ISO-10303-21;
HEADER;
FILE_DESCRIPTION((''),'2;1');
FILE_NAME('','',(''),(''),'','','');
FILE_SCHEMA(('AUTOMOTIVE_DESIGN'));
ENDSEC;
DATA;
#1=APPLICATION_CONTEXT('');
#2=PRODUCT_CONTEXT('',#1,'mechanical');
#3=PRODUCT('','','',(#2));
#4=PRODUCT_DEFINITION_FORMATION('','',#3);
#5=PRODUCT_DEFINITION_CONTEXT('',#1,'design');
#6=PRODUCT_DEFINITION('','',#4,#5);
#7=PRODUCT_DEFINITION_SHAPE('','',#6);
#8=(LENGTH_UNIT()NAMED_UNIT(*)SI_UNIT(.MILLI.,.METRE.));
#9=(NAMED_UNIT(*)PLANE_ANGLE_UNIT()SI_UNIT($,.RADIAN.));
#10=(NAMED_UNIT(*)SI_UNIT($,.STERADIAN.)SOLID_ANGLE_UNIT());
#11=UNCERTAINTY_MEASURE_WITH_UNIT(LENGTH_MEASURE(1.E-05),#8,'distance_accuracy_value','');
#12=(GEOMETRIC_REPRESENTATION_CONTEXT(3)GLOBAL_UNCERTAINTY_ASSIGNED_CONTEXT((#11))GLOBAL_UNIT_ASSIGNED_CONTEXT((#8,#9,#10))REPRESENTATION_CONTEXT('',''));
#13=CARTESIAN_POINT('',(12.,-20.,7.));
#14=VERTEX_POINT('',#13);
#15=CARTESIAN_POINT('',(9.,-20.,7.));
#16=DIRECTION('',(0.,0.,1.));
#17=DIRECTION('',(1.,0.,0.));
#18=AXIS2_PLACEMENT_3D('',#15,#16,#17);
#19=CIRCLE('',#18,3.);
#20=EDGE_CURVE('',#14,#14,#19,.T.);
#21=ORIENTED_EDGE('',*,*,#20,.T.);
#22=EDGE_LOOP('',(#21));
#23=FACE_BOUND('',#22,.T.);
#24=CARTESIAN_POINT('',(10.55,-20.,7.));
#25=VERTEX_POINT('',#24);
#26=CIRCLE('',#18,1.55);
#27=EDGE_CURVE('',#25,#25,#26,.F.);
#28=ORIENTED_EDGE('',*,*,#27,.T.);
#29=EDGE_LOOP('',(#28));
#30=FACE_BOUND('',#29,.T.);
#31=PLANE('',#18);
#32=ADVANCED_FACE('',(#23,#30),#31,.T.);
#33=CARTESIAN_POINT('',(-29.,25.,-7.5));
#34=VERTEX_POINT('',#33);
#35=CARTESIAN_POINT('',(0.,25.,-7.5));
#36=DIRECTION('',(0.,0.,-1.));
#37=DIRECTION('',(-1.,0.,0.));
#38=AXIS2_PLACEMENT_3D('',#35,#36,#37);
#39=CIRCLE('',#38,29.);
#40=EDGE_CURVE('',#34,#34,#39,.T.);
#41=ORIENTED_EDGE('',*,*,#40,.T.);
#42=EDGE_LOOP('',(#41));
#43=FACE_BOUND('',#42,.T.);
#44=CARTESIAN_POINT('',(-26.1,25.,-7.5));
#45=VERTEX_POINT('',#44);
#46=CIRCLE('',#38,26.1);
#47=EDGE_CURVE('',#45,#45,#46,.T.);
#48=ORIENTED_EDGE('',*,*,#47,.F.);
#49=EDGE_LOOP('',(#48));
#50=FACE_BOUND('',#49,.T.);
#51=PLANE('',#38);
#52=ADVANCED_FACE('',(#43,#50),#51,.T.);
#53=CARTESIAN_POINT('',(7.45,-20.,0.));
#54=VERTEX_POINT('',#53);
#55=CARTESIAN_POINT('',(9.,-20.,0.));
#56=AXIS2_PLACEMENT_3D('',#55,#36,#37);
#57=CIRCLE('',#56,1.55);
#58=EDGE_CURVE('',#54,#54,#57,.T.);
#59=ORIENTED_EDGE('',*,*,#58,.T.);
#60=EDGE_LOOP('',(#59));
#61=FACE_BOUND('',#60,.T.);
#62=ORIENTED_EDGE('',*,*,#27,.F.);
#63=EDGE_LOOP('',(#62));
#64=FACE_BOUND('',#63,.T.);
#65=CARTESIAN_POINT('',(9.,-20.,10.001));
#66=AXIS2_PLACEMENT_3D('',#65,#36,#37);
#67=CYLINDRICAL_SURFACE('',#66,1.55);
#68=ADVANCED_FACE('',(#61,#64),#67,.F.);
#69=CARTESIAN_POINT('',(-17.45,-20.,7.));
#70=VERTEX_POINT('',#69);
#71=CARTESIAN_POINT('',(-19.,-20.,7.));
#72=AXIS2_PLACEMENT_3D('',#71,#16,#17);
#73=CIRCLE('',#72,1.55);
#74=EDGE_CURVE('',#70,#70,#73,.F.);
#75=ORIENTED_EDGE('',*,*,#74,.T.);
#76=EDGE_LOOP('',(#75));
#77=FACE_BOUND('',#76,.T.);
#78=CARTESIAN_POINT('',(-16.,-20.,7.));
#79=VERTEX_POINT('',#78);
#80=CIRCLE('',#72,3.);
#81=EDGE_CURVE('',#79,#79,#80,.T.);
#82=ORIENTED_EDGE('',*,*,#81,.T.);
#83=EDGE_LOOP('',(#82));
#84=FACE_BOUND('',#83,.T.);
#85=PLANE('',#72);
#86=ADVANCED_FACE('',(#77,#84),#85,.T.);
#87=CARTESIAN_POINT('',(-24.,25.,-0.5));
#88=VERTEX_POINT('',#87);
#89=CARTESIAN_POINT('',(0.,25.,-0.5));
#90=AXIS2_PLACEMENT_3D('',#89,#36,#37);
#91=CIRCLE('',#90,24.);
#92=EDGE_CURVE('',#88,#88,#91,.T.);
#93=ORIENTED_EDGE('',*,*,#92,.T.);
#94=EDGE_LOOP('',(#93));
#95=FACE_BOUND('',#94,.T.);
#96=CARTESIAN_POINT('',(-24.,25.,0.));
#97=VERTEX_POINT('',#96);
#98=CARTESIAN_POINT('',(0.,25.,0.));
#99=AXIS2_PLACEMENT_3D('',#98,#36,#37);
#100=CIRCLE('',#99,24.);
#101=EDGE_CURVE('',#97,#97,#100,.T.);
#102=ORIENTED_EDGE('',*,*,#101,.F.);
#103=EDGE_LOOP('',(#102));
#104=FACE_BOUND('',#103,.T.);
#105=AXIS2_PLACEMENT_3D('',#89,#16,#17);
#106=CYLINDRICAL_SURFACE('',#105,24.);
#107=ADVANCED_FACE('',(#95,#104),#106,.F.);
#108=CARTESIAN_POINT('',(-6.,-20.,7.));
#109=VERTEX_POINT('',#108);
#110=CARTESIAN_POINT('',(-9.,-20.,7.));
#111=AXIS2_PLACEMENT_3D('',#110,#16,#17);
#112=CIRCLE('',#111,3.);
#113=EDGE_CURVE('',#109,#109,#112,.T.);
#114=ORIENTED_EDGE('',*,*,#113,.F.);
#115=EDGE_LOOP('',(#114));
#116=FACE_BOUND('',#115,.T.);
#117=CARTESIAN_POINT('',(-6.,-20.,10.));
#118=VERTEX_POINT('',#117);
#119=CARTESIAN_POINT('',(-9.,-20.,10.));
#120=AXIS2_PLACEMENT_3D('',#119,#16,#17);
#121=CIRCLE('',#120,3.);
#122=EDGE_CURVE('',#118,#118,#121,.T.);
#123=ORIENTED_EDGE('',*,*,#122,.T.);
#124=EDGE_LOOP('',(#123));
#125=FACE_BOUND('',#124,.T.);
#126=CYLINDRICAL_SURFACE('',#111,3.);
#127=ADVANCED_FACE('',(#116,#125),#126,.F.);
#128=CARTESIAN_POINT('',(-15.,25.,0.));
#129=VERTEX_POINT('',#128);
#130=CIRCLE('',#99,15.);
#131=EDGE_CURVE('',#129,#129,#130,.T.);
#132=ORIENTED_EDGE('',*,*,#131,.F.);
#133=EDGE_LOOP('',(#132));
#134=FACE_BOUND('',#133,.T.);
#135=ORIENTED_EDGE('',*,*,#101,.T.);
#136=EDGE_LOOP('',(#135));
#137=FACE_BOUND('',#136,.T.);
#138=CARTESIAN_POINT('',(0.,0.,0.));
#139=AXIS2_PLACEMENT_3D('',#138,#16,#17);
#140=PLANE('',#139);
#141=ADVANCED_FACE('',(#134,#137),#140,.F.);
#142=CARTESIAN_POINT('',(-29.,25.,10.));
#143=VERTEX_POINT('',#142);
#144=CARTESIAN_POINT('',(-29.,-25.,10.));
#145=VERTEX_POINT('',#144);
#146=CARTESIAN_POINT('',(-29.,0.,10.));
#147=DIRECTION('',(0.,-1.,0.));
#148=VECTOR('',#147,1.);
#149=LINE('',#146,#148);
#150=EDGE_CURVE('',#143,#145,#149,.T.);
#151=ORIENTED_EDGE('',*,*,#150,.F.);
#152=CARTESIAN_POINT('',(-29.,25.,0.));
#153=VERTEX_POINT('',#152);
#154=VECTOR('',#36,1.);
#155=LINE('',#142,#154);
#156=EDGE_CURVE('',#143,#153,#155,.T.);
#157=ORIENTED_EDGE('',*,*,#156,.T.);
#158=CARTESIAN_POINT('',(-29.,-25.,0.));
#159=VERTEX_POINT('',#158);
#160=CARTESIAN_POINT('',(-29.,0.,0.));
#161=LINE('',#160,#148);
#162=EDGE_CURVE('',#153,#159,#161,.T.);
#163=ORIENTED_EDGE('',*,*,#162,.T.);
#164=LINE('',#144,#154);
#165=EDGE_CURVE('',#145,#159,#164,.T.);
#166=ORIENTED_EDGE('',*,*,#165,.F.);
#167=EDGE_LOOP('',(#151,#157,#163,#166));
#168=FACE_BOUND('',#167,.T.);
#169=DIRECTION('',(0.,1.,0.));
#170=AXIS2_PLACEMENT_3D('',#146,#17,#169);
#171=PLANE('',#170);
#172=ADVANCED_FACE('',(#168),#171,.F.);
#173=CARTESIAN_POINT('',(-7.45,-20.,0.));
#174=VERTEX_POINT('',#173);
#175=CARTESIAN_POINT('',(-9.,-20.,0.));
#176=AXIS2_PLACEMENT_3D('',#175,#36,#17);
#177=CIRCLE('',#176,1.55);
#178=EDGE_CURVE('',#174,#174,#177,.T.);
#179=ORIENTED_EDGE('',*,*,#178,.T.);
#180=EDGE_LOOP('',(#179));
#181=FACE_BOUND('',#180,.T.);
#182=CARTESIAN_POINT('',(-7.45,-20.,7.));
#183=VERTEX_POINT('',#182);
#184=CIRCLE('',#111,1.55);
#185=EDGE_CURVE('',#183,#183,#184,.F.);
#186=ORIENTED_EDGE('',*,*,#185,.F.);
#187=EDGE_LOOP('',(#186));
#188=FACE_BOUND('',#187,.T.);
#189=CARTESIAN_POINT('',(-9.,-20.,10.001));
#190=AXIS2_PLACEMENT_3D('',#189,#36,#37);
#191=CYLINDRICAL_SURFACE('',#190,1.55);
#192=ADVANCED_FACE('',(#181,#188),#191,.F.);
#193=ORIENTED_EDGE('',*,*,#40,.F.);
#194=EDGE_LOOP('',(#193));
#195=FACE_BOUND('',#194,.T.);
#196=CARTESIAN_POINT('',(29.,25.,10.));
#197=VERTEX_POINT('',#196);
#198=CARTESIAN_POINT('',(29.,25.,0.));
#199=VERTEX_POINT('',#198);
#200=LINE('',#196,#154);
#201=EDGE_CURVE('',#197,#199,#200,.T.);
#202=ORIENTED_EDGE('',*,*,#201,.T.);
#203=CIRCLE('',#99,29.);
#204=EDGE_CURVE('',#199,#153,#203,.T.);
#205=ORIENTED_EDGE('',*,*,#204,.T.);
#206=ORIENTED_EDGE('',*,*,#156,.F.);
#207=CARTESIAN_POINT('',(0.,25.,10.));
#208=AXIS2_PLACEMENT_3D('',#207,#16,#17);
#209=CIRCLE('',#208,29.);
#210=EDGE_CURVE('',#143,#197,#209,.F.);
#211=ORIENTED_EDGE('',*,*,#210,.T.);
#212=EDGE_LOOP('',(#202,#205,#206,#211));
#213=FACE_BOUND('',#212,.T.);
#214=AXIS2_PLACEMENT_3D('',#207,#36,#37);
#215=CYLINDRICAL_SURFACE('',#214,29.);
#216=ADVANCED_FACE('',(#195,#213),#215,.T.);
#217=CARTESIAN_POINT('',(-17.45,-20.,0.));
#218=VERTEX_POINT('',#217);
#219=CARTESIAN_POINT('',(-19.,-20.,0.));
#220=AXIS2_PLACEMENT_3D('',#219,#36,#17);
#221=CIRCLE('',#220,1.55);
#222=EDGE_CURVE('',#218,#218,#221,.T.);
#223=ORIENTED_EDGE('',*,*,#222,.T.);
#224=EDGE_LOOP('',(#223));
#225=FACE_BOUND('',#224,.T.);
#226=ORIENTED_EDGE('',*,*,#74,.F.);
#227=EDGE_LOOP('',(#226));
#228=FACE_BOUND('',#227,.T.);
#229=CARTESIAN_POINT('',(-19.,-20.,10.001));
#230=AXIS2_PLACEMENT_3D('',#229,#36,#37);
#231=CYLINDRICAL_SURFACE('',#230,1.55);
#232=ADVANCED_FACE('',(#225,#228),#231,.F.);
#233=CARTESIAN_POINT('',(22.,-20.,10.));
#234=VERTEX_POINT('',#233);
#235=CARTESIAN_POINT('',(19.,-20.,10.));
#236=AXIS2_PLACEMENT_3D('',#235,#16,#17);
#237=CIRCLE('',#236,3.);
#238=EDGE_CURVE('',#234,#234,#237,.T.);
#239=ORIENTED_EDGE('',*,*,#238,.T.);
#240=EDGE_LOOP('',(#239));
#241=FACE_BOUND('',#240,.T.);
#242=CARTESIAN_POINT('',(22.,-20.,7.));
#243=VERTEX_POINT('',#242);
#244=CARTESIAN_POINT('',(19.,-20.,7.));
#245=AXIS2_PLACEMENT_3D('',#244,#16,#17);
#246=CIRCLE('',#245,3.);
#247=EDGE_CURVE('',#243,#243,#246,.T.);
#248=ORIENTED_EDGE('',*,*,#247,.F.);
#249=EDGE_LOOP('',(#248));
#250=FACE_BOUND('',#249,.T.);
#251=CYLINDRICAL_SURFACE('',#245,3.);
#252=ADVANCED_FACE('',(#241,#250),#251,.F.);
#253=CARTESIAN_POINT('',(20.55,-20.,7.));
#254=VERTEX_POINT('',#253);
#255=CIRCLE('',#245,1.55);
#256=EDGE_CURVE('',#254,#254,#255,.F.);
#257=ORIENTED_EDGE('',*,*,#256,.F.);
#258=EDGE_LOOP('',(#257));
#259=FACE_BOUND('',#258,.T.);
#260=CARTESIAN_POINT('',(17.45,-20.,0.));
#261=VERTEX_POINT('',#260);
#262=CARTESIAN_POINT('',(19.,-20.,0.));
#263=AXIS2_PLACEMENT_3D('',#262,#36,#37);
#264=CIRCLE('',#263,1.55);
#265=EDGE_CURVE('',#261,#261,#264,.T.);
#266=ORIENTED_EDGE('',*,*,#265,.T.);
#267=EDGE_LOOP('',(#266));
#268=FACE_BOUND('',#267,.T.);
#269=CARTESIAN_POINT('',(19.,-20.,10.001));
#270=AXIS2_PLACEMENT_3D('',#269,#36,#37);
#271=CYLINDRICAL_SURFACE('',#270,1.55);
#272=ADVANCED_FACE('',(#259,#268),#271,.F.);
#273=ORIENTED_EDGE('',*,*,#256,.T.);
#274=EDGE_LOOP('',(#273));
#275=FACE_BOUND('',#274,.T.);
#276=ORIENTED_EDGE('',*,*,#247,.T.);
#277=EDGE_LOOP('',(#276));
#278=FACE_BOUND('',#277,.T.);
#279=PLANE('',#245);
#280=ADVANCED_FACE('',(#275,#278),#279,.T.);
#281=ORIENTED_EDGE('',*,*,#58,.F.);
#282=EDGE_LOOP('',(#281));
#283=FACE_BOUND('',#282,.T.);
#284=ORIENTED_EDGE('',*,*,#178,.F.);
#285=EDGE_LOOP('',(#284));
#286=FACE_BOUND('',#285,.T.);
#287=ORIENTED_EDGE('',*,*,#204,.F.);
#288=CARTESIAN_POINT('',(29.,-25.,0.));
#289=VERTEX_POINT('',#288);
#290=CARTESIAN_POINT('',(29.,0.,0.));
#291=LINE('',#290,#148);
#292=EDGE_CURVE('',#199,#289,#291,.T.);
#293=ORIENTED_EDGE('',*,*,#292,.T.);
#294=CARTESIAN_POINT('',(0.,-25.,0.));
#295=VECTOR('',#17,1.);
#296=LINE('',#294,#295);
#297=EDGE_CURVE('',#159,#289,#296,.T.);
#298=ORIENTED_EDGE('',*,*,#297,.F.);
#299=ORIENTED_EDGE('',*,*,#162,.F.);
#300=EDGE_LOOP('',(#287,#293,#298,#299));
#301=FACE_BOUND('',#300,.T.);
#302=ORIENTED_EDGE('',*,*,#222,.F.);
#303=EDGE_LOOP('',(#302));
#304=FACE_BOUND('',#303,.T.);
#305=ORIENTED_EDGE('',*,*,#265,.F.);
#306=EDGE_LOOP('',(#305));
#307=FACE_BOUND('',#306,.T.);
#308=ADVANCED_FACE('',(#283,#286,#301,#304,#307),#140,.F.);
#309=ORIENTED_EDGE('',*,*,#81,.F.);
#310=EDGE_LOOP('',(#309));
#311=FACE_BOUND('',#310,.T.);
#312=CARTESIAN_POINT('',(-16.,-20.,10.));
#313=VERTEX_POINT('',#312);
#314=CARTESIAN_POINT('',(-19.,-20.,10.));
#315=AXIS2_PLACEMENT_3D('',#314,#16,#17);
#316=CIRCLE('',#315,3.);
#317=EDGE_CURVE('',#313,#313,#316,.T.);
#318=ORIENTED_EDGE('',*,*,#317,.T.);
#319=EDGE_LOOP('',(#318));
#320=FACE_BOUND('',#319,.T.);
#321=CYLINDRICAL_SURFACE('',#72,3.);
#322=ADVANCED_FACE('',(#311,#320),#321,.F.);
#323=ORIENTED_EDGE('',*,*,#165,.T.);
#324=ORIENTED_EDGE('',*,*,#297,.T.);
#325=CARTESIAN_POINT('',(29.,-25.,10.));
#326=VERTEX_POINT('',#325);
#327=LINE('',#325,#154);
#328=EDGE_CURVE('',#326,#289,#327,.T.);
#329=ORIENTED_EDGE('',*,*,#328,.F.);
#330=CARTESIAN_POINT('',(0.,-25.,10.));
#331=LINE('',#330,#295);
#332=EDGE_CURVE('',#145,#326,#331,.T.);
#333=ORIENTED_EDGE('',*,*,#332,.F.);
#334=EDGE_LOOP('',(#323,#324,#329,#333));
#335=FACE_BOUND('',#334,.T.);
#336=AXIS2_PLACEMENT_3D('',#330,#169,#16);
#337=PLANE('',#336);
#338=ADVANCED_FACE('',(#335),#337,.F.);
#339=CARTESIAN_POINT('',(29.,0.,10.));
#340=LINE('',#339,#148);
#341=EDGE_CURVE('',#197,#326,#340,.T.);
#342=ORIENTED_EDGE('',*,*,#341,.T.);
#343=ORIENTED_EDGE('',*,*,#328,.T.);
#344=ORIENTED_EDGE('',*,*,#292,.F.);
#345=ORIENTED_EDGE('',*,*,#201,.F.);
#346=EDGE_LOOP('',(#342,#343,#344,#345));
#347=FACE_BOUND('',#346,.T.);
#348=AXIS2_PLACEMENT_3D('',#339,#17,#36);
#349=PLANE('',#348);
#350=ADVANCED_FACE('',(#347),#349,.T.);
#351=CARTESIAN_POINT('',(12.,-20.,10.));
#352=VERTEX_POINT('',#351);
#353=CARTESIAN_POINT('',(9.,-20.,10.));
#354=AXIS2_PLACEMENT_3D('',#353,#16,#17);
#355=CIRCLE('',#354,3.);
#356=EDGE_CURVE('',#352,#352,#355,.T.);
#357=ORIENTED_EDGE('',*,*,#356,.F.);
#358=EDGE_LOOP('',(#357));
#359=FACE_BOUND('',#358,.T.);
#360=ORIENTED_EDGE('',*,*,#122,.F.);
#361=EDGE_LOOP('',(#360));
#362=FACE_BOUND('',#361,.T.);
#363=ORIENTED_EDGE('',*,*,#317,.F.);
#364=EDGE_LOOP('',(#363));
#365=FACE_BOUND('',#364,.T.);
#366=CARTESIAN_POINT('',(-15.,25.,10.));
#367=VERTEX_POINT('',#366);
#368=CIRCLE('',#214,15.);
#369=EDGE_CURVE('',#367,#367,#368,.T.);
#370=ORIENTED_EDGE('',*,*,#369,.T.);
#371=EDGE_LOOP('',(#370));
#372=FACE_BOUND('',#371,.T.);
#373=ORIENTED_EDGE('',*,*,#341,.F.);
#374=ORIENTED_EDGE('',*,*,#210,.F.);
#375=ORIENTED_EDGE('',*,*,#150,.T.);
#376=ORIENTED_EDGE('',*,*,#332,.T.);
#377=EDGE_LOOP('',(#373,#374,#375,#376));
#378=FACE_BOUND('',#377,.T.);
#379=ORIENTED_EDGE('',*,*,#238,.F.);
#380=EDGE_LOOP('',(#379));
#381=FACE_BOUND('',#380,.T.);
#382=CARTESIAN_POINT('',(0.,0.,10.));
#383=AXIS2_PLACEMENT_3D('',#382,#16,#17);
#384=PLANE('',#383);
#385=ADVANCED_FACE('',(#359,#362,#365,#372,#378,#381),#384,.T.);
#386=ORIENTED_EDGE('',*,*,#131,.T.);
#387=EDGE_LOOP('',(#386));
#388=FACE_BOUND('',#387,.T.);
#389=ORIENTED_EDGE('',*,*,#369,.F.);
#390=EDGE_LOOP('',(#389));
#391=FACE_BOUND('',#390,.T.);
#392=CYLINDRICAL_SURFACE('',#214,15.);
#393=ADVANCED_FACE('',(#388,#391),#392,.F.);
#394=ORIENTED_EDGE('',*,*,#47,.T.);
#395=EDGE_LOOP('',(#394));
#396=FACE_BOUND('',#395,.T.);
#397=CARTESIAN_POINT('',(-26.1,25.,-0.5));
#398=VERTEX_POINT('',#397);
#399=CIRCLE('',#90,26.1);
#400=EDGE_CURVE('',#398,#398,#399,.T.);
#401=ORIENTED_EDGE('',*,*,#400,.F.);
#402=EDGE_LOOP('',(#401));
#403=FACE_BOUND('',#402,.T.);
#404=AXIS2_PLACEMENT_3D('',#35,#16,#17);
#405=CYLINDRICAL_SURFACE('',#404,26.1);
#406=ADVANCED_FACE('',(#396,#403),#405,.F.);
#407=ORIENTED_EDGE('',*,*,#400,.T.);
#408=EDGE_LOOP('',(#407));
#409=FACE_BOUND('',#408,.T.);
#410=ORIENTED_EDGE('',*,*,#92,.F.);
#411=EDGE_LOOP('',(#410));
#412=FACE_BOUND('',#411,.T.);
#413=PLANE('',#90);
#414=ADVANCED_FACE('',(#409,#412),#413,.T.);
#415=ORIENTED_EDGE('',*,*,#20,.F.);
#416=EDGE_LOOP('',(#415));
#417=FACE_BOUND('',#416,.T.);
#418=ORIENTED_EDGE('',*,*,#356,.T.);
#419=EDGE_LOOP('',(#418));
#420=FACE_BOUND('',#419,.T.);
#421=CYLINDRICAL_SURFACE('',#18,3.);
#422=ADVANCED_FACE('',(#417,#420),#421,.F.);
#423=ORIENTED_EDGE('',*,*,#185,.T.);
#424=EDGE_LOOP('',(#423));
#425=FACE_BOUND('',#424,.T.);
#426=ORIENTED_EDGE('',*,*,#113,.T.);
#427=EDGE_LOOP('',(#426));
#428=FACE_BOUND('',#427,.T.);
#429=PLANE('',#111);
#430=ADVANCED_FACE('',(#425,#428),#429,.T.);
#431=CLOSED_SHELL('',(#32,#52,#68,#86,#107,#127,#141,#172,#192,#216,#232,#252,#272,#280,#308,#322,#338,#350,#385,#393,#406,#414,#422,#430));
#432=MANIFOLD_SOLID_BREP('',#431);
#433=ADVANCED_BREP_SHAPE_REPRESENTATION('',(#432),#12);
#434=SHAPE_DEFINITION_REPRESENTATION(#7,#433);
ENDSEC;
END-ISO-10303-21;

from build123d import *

# Parameters (mm, degrees)
SKETCH_1_W          = 58
SKETCH_1_H          = 50
EXTRUDE_1_DEPTH     = 10
SKETCH_2_R          = 29
SKETCH_2_R_2        = 26.1
EXTRUDE_2_DEPTH     = 7.5
SKETCH_3_R          = 26.1
SKETCH_3_R_2        = 24
EXTRUDE_3_DEPTH     = 0.5
CUT_EXTRUDE_1_REACH = 12
SKETCH_5_R          = 1.55
SKETCH_6_R          = 3
CUT_EXTRUDE_2_DEPTH = 3
SKETCH_7_R          = 15
CUT_EXTRUDE_3_DEPTH = 11


with BuildPart() as part:
    # 草图1 → 凸台-拉伸1 (new body)
    with BuildSketch(Plane.XY):
        with BuildLine():
            ThreePointArc((-29, 25), (0, 54), (29, 25))
            Line((29, 25), (-29, 25))
        make_face()
        Rectangle(SKETCH_1_W, SKETCH_1_H)
    extrude(amount=EXTRUDE_1_DEPTH)

    # 草图2 → 凸台-拉伸2 (add)
    with BuildSketch(Plane(origin=(0, 0, 0), x_dir=(-1, 0, 0), z_dir=(0, 0, -1))):
        with Locations((0, 25)):
            Circle(SKETCH_2_R)
        with Locations((0, 25)):
            Circle(SKETCH_2_R_2, mode=Mode.SUBTRACT)
    extrude(amount=EXTRUDE_2_DEPTH)

    # 草图3 → 凸台-拉伸3 (add)
    with BuildSketch(Plane(origin=(0, 0, 0), x_dir=(-1, 0, 0), z_dir=(0, 0, -1))):
        with Locations((0, 25)):
            Circle(SKETCH_3_R)
        with Locations((0, 25)):
            Circle(SKETCH_3_R_2, mode=Mode.SUBTRACT)
    extrude(amount=EXTRUDE_3_DEPTH)

    # 草图5 → 切除-拉伸1 (cut, up to next)
    with BuildSketch(Plane(origin=(0, 0, 0), x_dir=(-1, 0, 0), z_dir=(0, 0, -1)), mode=Mode.PRIVATE) as cut_extrude_1_sk1:
        with Locations((-19, -20)):
            Circle(SKETCH_5_R)
    cut_extrude_1_tool1 = extrude(cut_extrude_1_sk1.sketch, amount=-CUT_EXTRUDE_1_REACH, mode=Mode.PRIVATE) & part.part
    add(cut_extrude_1_tool1.solids().sort_by_distance((19, -20, 0))[0], mode=Mode.SUBTRACT)
    # 草图5 → 切除-拉伸1 (cut, up to next)
    with BuildSketch(Plane(origin=(0, 0, 0), x_dir=(-1, 0, 0), z_dir=(0, 0, -1)), mode=Mode.PRIVATE) as cut_extrude_1_sk2:
        with Locations((-9, -20)):
            Circle(SKETCH_5_R)
    cut_extrude_1_tool2 = extrude(cut_extrude_1_sk2.sketch, amount=-CUT_EXTRUDE_1_REACH, mode=Mode.PRIVATE) & part.part
    add(cut_extrude_1_tool2.solids().sort_by_distance((9, -20, 0))[0], mode=Mode.SUBTRACT)
    # 草图5 → 切除-拉伸1 (cut, up to next)
    with BuildSketch(Plane(origin=(0, 0, 0), x_dir=(-1, 0, 0), z_dir=(0, 0, -1)), mode=Mode.PRIVATE) as cut_extrude_1_sk3:
        with Locations((9, -20)):
            Circle(SKETCH_5_R)
    cut_extrude_1_tool3 = extrude(cut_extrude_1_sk3.sketch, amount=-CUT_EXTRUDE_1_REACH, mode=Mode.PRIVATE) & part.part
    add(cut_extrude_1_tool3.solids().sort_by_distance((-9, -20, 0))[0], mode=Mode.SUBTRACT)
    # 草图5 → 切除-拉伸1 (cut, up to next)
    with BuildSketch(Plane(origin=(0, 0, 0), x_dir=(-1, 0, 0), z_dir=(0, 0, -1)), mode=Mode.PRIVATE) as cut_extrude_1_sk4:
        with Locations((19, -20)):
            Circle(SKETCH_5_R)
    cut_extrude_1_tool4 = extrude(cut_extrude_1_sk4.sketch, amount=-CUT_EXTRUDE_1_REACH, mode=Mode.PRIVATE) & part.part
    add(cut_extrude_1_tool4.solids().sort_by_distance((-19, -20, 0))[0], mode=Mode.SUBTRACT)

    # 草图6 → 切除-拉伸2 (cut)
    with BuildSketch(Plane.XY.offset(10)):
        with Locations((19, -20)):
            Circle(SKETCH_6_R)
        with Locations((9, -20)):
            Circle(SKETCH_6_R)
        with Locations((-9, -20)):
            Circle(SKETCH_6_R)
        with Locations((-19, -20)):
            Circle(SKETCH_6_R)
    extrude(amount=-CUT_EXTRUDE_2_DEPTH, mode=Mode.SUBTRACT)

    # 草图7 → 切除-拉伸3 (cut, through all)
    with BuildSketch(Plane(origin=(0, 0, 0), x_dir=(-1, 0, 0), z_dir=(0, 0, -1))):
        with Locations((0, 25)):
            Circle(SKETCH_7_R)
    extrude(amount=-CUT_EXTRUDE_3_DEPTH, mode=Mode.SUBTRACT)


solid = part.part
